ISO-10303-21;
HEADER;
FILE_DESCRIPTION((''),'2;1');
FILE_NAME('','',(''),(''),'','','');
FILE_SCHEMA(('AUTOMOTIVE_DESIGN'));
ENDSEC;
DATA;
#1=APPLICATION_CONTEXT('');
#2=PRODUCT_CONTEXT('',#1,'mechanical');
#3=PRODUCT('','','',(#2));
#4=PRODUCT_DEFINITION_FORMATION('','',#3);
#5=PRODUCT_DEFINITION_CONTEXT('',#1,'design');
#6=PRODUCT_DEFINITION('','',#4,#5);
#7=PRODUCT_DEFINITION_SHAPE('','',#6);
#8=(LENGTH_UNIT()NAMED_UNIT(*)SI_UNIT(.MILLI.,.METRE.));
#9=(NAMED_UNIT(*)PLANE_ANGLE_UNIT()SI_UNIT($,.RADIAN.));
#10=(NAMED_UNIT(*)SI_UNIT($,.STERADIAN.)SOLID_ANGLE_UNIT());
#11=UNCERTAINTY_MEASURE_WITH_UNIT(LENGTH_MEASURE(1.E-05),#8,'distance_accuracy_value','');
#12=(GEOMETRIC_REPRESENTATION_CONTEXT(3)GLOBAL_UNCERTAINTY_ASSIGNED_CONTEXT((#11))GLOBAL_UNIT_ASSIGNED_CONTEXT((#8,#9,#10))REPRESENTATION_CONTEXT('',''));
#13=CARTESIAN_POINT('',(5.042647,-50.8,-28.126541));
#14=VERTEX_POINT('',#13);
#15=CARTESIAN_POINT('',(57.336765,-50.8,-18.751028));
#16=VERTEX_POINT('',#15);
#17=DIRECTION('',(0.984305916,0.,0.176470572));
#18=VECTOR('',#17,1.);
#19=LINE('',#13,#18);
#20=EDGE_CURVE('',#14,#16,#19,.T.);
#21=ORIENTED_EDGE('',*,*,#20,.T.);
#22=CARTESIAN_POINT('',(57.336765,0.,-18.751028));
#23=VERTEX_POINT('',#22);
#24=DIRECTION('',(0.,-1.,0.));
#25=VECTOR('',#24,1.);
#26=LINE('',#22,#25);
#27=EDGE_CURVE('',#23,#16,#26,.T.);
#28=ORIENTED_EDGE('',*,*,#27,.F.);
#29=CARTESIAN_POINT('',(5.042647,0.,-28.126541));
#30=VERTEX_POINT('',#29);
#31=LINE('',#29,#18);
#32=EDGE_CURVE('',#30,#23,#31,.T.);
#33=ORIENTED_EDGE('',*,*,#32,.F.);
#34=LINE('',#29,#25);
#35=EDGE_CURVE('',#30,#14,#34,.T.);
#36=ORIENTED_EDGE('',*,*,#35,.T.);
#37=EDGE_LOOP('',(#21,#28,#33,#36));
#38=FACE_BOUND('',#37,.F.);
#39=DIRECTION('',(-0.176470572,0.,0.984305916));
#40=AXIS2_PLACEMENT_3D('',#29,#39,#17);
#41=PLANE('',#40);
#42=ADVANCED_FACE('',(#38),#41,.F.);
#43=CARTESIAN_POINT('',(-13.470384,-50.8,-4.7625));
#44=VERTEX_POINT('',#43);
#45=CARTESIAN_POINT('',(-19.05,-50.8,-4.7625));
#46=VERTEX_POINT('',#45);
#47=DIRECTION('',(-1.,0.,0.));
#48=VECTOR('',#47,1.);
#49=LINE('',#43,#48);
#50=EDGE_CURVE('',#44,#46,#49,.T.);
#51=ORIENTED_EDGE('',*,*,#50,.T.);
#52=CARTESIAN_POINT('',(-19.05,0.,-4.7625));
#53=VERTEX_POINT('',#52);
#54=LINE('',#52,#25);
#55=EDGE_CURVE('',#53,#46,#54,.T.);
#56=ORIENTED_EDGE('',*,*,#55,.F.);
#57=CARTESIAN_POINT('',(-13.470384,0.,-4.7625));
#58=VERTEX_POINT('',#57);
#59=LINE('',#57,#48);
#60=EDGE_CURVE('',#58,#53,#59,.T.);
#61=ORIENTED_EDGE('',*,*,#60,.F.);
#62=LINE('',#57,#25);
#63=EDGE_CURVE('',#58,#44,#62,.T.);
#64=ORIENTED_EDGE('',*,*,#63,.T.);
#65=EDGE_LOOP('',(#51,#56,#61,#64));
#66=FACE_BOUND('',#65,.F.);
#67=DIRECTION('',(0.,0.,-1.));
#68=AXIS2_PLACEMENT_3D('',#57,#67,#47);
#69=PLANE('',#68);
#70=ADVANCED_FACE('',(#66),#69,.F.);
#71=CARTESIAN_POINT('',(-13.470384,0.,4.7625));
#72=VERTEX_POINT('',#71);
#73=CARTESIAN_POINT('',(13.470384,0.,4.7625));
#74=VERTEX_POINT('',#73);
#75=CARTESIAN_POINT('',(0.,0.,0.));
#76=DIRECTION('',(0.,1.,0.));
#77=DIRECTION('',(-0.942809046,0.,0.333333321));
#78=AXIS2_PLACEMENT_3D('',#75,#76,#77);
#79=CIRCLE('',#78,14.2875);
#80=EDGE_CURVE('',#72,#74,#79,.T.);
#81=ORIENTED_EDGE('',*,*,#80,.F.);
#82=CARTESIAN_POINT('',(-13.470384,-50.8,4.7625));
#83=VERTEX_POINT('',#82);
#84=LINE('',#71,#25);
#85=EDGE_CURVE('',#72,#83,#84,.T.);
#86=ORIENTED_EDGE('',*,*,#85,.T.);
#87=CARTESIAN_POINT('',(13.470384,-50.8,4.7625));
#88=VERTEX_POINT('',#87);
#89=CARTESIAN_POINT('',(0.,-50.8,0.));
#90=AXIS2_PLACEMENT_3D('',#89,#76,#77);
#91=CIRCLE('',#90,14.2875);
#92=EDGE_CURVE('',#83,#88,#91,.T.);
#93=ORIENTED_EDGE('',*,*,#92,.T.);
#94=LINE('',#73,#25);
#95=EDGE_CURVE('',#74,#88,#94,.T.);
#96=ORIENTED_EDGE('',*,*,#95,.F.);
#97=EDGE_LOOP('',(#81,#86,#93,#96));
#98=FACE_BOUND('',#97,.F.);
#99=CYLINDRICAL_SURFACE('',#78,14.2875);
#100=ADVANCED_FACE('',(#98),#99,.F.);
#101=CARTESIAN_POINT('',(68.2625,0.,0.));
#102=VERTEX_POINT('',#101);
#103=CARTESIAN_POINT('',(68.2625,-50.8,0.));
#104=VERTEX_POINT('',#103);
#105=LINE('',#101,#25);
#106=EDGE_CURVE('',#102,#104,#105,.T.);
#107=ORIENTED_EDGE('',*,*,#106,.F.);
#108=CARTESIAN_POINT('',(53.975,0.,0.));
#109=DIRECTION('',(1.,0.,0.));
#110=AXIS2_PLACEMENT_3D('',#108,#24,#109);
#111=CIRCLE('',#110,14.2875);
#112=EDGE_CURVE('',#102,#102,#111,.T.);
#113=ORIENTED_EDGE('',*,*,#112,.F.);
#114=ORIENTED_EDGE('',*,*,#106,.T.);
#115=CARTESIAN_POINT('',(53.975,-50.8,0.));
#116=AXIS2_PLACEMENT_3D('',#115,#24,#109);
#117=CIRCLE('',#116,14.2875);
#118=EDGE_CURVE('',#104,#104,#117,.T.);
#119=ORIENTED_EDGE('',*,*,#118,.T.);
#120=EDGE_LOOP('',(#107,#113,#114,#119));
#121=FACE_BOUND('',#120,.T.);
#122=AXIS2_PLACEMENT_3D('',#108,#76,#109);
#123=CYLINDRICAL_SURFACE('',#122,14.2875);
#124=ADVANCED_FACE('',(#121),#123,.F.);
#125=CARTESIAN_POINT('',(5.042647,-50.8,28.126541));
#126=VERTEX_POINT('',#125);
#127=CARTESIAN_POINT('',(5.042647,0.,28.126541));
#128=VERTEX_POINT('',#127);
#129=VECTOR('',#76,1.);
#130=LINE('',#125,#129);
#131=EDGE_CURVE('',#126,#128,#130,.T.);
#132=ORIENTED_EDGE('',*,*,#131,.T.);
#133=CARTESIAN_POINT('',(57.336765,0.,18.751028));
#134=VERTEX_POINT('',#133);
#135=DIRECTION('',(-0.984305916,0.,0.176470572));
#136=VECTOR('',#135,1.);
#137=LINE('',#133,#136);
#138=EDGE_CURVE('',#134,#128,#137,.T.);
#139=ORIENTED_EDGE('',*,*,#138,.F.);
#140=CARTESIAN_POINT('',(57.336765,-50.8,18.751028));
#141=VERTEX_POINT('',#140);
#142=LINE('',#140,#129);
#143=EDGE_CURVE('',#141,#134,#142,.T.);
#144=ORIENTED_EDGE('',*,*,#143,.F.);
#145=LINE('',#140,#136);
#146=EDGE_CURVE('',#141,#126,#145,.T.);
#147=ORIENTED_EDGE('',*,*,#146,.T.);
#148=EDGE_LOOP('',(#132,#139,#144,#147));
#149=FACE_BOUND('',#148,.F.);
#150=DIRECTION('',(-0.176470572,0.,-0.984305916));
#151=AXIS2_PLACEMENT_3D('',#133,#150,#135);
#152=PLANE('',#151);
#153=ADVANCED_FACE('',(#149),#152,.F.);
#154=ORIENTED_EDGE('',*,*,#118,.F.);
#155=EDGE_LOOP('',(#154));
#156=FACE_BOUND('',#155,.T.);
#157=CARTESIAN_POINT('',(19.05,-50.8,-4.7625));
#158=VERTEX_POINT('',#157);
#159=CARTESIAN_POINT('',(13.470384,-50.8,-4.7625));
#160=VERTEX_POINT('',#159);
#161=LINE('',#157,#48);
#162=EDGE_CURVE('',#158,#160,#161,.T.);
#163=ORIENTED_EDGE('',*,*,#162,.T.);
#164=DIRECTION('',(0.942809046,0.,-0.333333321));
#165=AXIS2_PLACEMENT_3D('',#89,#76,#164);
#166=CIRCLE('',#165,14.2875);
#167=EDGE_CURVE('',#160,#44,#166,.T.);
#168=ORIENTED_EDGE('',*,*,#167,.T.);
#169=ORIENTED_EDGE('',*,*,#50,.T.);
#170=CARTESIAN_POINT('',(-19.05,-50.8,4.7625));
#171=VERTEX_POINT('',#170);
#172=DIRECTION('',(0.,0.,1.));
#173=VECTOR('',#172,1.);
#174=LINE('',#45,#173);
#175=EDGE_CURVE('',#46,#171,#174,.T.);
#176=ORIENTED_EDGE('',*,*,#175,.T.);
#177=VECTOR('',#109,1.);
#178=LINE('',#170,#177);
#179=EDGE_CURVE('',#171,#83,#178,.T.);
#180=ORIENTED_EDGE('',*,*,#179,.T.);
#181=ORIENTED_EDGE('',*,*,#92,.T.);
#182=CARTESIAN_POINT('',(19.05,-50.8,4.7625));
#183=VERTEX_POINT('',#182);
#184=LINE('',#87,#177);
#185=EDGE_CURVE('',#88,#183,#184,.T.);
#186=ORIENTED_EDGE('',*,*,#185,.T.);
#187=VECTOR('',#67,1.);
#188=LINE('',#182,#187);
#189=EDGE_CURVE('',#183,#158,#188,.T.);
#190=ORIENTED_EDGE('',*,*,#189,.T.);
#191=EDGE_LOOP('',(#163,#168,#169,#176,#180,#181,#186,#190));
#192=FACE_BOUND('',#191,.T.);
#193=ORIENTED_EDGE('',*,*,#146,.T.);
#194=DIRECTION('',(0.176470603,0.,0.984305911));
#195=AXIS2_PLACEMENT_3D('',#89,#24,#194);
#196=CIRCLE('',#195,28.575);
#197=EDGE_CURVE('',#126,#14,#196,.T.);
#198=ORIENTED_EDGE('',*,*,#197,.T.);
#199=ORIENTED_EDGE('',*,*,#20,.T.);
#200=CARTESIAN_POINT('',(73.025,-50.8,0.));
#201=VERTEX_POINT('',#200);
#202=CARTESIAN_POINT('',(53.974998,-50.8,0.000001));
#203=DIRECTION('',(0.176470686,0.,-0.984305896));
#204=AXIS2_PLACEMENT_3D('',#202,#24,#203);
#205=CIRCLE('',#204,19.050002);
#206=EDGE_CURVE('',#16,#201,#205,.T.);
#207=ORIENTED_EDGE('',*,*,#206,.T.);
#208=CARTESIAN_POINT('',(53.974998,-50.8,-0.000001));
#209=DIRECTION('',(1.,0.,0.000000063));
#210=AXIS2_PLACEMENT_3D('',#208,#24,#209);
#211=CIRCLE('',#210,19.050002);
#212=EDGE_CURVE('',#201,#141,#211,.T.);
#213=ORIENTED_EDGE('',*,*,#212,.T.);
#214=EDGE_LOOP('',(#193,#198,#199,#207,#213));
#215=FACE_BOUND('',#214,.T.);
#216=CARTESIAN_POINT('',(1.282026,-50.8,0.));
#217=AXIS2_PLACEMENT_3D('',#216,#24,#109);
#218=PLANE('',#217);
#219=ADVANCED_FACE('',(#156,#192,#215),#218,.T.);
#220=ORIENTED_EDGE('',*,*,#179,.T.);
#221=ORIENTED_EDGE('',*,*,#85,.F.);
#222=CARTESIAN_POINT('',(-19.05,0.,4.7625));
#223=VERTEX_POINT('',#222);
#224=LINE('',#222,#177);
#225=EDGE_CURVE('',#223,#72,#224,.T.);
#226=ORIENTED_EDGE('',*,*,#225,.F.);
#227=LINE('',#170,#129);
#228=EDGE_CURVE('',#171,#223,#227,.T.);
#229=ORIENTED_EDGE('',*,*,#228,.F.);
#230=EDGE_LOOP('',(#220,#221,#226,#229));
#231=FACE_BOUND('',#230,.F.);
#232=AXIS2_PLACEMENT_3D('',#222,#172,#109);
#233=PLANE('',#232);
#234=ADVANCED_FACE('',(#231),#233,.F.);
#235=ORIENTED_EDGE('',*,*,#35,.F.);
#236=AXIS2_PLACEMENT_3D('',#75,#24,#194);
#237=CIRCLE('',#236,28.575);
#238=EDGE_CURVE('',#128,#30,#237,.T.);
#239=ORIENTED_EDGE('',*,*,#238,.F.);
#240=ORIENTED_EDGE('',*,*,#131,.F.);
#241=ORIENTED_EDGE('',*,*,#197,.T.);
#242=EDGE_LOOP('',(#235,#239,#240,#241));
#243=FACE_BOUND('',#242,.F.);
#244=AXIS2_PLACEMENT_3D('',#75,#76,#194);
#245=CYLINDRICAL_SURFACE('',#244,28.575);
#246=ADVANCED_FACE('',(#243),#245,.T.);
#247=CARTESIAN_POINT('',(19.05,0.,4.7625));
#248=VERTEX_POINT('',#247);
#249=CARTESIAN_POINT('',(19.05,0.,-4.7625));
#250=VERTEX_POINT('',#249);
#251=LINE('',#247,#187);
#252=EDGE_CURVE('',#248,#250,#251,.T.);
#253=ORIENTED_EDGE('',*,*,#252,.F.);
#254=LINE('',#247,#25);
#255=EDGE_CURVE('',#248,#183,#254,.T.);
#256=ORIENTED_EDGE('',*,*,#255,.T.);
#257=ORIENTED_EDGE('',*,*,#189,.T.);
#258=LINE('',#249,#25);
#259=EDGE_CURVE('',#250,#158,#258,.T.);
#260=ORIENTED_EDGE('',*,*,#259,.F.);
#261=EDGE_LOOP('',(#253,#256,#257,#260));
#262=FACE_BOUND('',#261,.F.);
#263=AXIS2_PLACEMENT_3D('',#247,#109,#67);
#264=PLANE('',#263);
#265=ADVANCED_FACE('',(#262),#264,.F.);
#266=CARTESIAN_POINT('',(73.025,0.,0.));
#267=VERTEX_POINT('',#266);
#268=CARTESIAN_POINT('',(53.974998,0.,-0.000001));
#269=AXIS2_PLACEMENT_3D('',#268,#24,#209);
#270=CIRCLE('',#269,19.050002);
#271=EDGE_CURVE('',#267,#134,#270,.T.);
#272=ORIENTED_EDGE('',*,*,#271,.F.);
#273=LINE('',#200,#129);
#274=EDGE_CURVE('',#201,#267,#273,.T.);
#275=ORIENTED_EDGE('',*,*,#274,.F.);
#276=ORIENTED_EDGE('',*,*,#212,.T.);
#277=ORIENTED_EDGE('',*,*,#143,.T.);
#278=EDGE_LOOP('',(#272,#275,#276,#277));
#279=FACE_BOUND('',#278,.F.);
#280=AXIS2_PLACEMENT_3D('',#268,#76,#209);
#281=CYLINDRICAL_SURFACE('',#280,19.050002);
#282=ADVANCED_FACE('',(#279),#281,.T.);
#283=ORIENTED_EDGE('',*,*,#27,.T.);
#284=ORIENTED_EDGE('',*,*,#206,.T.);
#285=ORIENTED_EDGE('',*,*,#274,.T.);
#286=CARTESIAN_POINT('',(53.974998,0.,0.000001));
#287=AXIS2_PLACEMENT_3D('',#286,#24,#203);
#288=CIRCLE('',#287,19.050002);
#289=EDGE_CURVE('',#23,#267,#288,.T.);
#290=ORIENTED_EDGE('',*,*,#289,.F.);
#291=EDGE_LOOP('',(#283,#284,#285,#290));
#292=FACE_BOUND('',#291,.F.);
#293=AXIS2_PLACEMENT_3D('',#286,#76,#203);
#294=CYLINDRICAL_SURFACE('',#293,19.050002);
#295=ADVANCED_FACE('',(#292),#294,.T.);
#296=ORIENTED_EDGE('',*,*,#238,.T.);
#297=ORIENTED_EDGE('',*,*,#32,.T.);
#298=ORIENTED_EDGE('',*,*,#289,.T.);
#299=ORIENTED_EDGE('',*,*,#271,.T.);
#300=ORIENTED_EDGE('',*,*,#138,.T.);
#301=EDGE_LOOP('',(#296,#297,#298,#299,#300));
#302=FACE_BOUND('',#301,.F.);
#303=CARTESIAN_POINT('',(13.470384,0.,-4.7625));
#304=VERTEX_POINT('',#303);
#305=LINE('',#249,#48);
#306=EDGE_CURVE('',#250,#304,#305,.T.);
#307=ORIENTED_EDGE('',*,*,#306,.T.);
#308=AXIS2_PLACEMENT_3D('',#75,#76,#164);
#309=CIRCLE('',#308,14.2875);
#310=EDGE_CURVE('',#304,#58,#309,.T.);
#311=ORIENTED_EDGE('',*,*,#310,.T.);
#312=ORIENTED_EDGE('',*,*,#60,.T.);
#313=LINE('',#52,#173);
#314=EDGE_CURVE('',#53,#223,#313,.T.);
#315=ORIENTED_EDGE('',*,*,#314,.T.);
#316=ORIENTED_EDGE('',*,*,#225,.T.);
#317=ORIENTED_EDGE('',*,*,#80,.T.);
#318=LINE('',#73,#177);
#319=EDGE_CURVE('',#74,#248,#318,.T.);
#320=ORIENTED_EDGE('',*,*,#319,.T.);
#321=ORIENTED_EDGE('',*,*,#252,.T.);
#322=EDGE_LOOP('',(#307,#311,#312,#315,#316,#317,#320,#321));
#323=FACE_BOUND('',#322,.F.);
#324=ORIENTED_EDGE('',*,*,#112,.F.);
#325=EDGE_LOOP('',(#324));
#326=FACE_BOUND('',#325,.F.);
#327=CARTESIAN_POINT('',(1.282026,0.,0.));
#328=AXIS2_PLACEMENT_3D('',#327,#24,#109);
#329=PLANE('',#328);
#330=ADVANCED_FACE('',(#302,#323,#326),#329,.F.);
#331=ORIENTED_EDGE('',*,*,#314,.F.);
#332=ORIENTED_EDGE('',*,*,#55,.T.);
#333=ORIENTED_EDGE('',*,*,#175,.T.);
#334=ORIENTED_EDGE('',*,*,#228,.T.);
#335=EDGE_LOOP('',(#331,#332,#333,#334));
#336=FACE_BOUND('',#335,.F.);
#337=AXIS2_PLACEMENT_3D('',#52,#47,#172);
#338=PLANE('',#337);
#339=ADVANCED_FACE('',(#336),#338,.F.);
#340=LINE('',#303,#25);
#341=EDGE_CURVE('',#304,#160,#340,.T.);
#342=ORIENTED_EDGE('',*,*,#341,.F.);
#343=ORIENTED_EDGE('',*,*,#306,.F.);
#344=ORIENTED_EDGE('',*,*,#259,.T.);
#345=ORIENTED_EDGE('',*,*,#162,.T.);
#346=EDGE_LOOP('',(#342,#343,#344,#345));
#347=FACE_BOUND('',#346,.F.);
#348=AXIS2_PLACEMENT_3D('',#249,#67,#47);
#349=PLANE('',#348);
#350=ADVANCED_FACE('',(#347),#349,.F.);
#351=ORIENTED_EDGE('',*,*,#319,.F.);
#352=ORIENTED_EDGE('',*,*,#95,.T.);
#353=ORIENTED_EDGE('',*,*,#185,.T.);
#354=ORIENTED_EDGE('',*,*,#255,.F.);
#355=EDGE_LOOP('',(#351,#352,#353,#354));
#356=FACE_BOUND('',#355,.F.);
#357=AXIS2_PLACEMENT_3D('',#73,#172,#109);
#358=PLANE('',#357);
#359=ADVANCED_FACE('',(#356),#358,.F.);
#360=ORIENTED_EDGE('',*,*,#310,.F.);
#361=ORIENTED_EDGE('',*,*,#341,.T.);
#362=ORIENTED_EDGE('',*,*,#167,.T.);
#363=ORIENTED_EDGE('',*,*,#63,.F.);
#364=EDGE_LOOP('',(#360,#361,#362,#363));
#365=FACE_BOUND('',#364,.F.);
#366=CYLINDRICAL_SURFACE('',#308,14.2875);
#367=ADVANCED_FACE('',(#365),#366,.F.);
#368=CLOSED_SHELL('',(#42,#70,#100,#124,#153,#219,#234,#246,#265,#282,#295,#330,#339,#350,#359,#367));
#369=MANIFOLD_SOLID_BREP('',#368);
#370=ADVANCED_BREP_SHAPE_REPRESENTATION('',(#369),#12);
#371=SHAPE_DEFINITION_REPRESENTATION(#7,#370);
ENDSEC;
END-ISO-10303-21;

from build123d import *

# Parameters (mm, degrees)
F0_R     = 14.2875
F1_DEPTH = 25.4
F2_DEPTH = 50.8


with BuildPart() as f1:
    # F0 (on Front) → F1 (new body)
    with BuildSketch(Plane.XZ):
        with BuildLine():
            ThreePointArc((5.042647, -28.126541), (21.916025, -18.336262), (28.575, 0))
            ThreePointArc((28.575, 0), (21.916025, 18.336262), (5.042647, 28.126541))
            ThreePointArc((5.042647, 28.126541), (-28.575, 0), (5.042647, -28.126541))
        make_face()
        with BuildLine():
            ThreePointArc((-13.470384, 4.7625), (0, 14.2875), (13.470384, 4.7625))
            Line((13.470384, 4.7625), (19.05, 4.7625))
            Line((19.05, 4.7625), (19.05, -4.7625))
            Line((19.05, -4.7625), (13.470384, -4.7625))
            ThreePointArc((13.470384, -4.7625), (0, -14.2875), (-13.470384, -4.7625))
            Line((-13.470384, -4.7625), (-19.05, -4.7625))
            Line((-19.05, -4.7625), (-19.05, 4.7625))
            Line((-19.05, 4.7625), (-13.470384, 4.7625))
        make_face(mode=Mode.SUBTRACT)
        with BuildLine():
            ThreePointArc((73.025, 0), (68.585683, 12.224174), (57.336765, 18.751028))
            ThreePointArc((57.336765, 18.751028), (34.925, 0), (57.336765, -18.751028))
            ThreePointArc((57.336765, -18.751028), (68.585683, -12.224174), (73.025, 0))
        make_face()
        with Locations((53.975, 0)):
            Circle(F0_R, mode=Mode.SUBTRACT)
        with BuildLine():
            ThreePointArc((5.042647, 28.126541), (21.916025, 18.336262), (28.575, 0))
            ThreePointArc((28.575, 0), (21.916025, -18.336262), (5.042647, -28.126541))
            Line((5.042647, -28.126541), (57.336765, -18.751028))
            ThreePointArc((57.336765, -18.751028), (34.925, 0), (57.336765, 18.751028))
            Line((57.336765, 18.751028), (5.042647, 28.126541))
        make_face()
    extrude(amount=F1_DEPTH)

    # F0 (on Front) → F2 (join)
    with BuildSketch(Plane.XZ):
        with BuildLine():
            ThreePointArc((5.042647, -28.126541), (21.916025, -18.336262), (28.575, 0))
            ThreePointArc((28.575, 0), (21.916025, 18.336262), (5.042647, 28.126541))
            ThreePointArc((5.042647, 28.126541), (-28.575, 0), (5.042647, -28.126541))
        make_face()
        with BuildLine():
            ThreePointArc((-13.470384, 4.7625), (0, 14.2875), (13.470384, 4.7625))
            Line((13.470384, 4.7625), (19.05, 4.7625))
            Line((19.05, 4.7625), (19.05, -4.7625))
            Line((19.05, -4.7625), (13.470384, -4.7625))
            ThreePointArc((13.470384, -4.7625), (0, -14.2875), (-13.470384, -4.7625))
            Line((-13.470384, -4.7625), (-19.05, -4.7625))
            Line((-19.05, -4.7625), (-19.05, 4.7625))
            Line((-19.05, 4.7625), (-13.470384, 4.7625))
        make_face(mode=Mode.SUBTRACT)
        with BuildLine():
            ThreePointArc((5.042647, 28.126541), (21.916025, 18.336262), (28.575, 0))
            ThreePointArc((28.575, 0), (21.916025, -18.336262), (5.042647, -28.126541))
            Line((5.042647, -28.126541), (57.336765, -18.751028))
            ThreePointArc((57.336765, -18.751028), (34.925, 0), (57.336765, 18.751028))
            Line((57.336765, 18.751028), (5.042647, 28.126541))
        make_face()
        with BuildLine():
            ThreePointArc((73.025, 0), (68.585683, 12.224174), (57.336765, 18.751028))
            ThreePointArc((57.336765, 18.751028), (34.925, 0), (57.336765, -18.751028))
            ThreePointArc((57.336765, -18.751028), (68.585683, -12.224174), (73.025, 0))
        make_face()
        with Locations((53.975, 0)):
            Circle(F0_R, mode=Mode.SUBTRACT)
    extrude(amount=F2_DEPTH)


solid = f1.part
